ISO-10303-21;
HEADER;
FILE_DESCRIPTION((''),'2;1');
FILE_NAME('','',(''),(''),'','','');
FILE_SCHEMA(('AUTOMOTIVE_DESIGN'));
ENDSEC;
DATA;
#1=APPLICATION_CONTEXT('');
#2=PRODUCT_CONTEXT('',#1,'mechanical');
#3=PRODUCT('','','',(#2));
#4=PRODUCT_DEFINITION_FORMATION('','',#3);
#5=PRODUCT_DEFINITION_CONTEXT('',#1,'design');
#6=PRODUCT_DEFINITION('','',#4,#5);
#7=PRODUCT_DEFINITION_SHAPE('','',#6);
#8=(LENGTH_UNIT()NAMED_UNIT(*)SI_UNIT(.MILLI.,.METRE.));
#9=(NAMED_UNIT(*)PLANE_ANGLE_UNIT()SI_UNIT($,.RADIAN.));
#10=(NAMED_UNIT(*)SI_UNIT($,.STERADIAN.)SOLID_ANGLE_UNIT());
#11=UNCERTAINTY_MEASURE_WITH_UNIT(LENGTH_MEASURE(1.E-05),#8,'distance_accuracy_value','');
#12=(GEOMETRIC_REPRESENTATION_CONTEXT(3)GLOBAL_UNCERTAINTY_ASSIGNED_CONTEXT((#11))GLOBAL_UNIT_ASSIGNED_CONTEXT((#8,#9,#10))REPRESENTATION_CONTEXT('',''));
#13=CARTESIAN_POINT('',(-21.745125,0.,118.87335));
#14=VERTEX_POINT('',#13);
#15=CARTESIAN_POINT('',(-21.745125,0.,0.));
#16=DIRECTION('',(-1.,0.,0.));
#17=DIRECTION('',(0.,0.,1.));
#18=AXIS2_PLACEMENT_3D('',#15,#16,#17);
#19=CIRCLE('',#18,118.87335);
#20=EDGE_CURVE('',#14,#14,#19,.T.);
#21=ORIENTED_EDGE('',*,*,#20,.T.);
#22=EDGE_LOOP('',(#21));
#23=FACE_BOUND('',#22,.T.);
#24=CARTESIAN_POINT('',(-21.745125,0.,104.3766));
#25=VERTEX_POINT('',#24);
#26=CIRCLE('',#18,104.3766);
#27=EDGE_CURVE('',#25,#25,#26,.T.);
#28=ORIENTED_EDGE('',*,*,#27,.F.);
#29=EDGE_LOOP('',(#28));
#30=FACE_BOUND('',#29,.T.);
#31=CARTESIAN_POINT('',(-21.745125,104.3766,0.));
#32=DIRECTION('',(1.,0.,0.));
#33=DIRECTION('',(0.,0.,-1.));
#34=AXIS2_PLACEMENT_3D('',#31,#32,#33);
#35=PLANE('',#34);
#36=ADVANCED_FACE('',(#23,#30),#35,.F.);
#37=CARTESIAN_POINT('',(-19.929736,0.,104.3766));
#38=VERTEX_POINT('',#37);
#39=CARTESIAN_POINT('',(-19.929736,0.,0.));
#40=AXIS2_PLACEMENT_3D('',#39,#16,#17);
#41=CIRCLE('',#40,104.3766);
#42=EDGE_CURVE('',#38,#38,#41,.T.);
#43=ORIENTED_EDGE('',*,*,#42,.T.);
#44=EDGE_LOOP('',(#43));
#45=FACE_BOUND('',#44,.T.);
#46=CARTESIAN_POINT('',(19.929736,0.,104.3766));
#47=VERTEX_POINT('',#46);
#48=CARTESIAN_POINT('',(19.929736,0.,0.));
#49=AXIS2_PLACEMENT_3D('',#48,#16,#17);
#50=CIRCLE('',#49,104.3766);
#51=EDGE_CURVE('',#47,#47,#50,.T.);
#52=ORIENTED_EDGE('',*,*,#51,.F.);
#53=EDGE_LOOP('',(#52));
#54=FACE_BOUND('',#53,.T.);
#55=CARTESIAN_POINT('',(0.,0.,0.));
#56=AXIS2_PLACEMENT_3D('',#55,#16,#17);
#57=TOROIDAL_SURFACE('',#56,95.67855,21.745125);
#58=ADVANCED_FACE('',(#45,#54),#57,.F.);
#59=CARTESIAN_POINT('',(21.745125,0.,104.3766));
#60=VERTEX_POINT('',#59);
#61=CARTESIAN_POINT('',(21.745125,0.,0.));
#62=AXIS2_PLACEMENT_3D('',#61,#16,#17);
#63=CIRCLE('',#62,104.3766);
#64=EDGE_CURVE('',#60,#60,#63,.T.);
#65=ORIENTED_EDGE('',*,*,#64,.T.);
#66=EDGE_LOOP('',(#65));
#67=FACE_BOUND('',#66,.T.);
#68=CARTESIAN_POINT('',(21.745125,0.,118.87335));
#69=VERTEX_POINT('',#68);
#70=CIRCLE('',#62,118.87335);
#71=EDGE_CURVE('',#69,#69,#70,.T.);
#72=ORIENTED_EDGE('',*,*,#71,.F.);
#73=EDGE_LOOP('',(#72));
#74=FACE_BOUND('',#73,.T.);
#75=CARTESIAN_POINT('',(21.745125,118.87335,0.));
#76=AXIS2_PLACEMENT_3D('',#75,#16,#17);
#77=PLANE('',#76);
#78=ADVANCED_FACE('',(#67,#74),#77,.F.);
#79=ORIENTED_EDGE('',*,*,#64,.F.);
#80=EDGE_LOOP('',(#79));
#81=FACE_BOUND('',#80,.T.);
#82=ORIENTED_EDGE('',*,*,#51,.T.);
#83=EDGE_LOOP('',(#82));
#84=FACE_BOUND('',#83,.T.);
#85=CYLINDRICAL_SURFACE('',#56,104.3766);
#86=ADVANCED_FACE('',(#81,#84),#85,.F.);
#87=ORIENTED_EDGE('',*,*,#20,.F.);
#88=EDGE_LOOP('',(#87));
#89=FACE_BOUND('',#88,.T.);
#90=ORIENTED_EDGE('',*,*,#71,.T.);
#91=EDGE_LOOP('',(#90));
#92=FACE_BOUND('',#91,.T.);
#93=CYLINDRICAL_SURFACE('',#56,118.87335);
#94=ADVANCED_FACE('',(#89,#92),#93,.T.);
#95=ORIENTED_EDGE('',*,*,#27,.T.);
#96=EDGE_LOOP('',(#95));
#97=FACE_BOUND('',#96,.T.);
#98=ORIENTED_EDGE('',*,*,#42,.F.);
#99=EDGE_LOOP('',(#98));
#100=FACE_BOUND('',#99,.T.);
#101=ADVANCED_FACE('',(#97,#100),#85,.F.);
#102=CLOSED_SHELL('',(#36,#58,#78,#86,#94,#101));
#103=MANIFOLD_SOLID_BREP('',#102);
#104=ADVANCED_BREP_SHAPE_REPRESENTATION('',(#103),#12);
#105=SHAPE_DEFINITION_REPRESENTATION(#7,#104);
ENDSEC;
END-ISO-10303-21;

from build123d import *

# Parameters (mm, degrees)
SCALE1_SCALE = 1.9329
SCALE2_SCALE = 1.5


with BuildPart() as part:
    # Sketch3 → Revolve1 (revolve)
    with BuildSketch(Plane.XY, mode=Mode.PRIVATE) as revolve1_sk:
        with BuildLine():
            Line((-7.5, 36), (-7.5, 41))
            Line((-7.5, 41), (7.5, 41))
            Line((7.5, 41), (7.5, 36))
            Line((7.5, 36), (6.873863542, 36))
            ThreePointArc((6.873863542, 36), (0, 40.5), (-6.873863542, 36))
            Line((-6.873863542, 36), (-7.5, 36))
        make_face()
    revolve(revolve1_sk.sketch.rotate(Axis((0, 0, 0), (1, 0, 0)), 90), axis=Axis((0, 0, 0), (1, 0, 0)))


with BuildPart() as part_1:
    # Scale1: scaled about (0, 0, 0)
    add(part.part.scale(SCALE1_SCALE))


with BuildPart() as part_2:
    # Scale2: scaled about (0, 0, 0)
    add(part_1.part.scale(SCALE2_SCALE))


solid = part_2.part
